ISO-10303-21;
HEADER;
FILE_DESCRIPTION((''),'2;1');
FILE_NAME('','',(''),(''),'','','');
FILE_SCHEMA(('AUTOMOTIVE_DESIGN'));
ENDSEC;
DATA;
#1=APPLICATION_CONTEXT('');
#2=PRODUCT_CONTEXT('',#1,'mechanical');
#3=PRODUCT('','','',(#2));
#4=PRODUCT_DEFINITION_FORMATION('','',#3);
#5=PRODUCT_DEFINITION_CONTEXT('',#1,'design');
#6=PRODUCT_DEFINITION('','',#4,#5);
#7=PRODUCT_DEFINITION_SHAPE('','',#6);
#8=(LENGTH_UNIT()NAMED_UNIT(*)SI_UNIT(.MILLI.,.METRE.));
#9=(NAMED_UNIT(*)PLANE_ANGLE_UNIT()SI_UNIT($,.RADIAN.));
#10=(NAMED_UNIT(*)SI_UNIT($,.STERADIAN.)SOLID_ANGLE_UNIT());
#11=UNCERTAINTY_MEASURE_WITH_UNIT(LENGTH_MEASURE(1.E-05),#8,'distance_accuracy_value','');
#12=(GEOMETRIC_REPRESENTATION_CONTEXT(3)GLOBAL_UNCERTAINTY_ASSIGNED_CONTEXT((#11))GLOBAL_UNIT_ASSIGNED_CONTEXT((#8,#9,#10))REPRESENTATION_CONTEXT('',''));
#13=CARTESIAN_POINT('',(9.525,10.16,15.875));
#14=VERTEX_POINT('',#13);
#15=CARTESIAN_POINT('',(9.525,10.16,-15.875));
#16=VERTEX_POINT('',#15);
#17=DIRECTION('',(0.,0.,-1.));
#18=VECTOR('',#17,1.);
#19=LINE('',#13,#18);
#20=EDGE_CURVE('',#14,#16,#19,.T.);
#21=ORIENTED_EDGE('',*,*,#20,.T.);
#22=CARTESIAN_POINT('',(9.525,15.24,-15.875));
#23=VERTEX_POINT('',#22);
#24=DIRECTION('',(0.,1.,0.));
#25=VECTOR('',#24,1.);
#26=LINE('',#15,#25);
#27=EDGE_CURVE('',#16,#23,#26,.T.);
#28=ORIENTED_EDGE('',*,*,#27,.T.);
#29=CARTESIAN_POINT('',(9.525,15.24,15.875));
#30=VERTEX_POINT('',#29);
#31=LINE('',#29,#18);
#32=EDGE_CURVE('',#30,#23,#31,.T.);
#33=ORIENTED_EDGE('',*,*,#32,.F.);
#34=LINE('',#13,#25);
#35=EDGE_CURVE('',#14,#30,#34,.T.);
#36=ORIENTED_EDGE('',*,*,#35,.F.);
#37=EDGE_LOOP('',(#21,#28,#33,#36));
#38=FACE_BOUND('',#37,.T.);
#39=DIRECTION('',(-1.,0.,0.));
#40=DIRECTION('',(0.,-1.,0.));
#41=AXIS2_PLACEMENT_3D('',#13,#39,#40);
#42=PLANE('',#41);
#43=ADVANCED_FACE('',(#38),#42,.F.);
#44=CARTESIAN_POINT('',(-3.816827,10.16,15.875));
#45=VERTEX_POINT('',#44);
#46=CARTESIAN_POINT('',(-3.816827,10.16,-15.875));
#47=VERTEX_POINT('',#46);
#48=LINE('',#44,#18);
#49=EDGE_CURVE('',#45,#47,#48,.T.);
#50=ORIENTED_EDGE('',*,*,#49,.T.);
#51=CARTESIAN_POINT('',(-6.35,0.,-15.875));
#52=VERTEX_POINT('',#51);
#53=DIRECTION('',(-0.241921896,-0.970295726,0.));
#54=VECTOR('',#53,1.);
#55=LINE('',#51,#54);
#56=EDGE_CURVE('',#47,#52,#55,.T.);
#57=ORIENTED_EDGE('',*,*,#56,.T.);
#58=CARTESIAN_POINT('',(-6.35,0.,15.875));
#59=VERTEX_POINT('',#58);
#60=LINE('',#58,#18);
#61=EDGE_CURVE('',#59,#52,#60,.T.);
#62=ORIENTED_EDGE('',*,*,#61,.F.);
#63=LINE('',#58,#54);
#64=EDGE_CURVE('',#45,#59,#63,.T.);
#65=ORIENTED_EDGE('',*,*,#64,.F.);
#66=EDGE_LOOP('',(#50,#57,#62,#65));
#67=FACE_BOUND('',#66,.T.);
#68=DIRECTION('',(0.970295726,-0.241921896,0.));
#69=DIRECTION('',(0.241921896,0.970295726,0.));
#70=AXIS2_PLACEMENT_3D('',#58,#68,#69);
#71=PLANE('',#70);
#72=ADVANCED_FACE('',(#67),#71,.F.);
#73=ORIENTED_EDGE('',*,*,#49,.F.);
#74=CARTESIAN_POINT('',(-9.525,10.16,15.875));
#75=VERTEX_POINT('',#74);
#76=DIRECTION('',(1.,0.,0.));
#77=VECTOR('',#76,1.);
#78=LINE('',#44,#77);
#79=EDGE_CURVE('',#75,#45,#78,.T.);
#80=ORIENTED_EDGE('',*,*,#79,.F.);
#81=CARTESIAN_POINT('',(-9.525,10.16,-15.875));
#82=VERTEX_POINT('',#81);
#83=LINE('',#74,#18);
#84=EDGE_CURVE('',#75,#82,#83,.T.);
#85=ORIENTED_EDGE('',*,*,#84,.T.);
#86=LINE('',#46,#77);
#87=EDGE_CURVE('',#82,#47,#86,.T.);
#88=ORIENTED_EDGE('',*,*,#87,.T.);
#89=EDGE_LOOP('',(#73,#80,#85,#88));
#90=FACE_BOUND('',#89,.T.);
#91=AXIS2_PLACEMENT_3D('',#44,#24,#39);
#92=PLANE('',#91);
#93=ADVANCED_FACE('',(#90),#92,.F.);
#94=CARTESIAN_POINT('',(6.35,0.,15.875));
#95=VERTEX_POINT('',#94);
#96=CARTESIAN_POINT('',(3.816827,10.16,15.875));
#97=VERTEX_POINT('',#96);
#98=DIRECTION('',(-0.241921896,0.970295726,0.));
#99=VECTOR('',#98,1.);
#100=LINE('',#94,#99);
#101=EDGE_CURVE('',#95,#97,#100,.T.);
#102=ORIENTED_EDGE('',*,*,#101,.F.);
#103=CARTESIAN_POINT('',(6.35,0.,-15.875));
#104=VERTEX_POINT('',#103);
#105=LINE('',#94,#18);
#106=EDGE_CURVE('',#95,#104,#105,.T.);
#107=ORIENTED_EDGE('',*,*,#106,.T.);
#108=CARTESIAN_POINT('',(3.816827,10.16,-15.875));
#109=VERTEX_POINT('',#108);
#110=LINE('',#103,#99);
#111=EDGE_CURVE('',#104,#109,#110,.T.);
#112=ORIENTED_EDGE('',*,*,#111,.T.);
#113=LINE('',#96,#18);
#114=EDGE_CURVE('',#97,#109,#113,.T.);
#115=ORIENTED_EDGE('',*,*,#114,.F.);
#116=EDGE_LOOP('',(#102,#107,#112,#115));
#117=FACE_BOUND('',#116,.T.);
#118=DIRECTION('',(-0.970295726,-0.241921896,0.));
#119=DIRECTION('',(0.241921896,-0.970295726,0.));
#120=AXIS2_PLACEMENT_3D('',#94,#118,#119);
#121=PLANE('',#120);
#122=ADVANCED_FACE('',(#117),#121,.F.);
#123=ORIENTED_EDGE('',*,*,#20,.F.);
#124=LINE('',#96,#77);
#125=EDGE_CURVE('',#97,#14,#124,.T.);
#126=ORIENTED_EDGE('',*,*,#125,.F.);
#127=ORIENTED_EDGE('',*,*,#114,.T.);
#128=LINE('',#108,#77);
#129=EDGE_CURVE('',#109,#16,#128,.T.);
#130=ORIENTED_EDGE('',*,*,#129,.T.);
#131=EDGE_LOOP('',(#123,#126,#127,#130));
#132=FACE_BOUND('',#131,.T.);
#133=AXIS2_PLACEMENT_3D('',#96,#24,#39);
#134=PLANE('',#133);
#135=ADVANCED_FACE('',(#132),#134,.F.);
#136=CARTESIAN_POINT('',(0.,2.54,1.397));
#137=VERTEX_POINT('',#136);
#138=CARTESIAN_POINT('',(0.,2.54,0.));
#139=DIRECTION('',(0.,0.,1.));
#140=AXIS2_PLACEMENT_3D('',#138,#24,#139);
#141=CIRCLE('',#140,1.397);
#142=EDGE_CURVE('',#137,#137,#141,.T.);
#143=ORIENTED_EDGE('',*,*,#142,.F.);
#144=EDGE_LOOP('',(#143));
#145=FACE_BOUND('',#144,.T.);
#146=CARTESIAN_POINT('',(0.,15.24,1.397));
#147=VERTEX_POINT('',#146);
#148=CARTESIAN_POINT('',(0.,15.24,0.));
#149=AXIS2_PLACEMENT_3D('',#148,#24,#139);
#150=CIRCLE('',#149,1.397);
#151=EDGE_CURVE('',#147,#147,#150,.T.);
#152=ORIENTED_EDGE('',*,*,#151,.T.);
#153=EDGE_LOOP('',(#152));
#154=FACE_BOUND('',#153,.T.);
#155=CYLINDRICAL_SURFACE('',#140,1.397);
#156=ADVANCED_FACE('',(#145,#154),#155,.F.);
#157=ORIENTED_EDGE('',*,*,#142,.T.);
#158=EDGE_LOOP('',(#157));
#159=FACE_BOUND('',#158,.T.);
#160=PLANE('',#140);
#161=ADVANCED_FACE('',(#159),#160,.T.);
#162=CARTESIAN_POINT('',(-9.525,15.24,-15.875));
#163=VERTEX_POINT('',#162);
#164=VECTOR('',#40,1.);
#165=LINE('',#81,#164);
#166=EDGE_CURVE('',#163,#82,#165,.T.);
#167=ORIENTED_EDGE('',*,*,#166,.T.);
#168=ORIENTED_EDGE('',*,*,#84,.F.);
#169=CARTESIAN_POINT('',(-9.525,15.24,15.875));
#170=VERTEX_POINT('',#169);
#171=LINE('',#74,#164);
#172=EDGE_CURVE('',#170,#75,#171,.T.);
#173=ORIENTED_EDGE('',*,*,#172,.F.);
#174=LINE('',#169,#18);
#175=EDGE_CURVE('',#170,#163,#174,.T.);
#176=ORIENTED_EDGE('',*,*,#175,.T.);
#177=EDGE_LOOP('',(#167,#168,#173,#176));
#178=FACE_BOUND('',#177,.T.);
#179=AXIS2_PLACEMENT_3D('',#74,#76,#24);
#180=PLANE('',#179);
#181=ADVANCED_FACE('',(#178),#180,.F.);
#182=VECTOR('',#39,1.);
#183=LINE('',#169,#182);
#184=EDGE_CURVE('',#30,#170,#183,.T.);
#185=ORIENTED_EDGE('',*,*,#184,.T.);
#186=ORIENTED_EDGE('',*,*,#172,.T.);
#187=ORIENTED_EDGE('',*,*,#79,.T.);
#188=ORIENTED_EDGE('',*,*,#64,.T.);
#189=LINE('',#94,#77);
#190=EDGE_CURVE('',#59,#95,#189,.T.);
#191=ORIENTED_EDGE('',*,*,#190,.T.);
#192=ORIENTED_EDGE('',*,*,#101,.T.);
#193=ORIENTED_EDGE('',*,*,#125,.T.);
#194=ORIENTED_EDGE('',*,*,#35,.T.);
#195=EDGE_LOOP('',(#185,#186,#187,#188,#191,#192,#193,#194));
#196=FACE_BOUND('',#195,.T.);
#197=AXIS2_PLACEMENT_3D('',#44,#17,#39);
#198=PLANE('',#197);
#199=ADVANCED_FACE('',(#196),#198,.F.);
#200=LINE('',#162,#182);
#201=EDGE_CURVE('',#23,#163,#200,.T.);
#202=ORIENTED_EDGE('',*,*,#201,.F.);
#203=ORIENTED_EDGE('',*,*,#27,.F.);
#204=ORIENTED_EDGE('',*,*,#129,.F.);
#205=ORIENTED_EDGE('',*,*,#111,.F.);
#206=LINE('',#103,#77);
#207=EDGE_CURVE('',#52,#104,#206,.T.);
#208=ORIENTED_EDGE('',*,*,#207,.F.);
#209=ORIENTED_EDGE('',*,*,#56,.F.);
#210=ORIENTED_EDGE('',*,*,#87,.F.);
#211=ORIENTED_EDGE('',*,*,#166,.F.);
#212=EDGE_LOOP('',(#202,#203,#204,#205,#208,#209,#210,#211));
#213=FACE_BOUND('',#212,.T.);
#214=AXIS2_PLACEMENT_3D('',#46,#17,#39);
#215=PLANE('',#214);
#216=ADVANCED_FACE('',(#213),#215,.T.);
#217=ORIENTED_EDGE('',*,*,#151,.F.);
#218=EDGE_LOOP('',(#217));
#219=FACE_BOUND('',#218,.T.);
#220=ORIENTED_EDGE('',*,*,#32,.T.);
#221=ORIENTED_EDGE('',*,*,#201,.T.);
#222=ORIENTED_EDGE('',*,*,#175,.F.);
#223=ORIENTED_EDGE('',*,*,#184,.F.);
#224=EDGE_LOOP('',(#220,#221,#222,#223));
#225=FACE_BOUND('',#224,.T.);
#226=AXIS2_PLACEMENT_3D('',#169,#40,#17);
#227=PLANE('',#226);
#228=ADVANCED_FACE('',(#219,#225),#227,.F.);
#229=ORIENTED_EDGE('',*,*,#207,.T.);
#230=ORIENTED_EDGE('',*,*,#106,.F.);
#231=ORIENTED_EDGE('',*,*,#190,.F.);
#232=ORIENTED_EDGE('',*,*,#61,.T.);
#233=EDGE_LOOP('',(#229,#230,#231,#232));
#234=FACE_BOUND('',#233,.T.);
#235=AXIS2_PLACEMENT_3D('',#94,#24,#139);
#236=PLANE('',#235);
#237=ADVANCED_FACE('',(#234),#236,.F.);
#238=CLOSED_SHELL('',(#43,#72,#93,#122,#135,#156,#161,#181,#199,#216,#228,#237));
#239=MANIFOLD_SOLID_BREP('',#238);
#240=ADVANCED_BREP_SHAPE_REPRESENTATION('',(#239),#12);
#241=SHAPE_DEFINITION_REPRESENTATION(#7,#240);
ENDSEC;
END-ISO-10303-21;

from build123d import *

# Parameters (mm, degrees)
BASE_EXTRUDE_DEPTH = 15.875
SKETCH3_R          = 1.397
CUT_EXTRUDE2_DEPTH = 12.7


with BuildPart() as part:
    # Sketch1 → Base-Extrude (new body, symmetric)
    with BuildSketch(Plane.XY):
        Polygon((6.35, 0), (-6.35, 0), (-3.816827491, 10.16), (-9.525, 10.16), (-9.525, 15.24), (9.525, 15.24), (9.525, 10.16), (3.816827491, 10.16), align=None)
    extrude(amount=BASE_EXTRUDE_DEPTH, both=True)

    # Sketch3 → Cut-Extrude2 (cut)
    with BuildSketch(Plane(origin=(0, 15.24, 0), x_dir=(-1, 0, 0), z_dir=(0, 1, 0))):
        Circle(SKETCH3_R)
    extrude(amount=-CUT_EXTRUDE2_DEPTH, mode=Mode.SUBTRACT)


solid = part.part
